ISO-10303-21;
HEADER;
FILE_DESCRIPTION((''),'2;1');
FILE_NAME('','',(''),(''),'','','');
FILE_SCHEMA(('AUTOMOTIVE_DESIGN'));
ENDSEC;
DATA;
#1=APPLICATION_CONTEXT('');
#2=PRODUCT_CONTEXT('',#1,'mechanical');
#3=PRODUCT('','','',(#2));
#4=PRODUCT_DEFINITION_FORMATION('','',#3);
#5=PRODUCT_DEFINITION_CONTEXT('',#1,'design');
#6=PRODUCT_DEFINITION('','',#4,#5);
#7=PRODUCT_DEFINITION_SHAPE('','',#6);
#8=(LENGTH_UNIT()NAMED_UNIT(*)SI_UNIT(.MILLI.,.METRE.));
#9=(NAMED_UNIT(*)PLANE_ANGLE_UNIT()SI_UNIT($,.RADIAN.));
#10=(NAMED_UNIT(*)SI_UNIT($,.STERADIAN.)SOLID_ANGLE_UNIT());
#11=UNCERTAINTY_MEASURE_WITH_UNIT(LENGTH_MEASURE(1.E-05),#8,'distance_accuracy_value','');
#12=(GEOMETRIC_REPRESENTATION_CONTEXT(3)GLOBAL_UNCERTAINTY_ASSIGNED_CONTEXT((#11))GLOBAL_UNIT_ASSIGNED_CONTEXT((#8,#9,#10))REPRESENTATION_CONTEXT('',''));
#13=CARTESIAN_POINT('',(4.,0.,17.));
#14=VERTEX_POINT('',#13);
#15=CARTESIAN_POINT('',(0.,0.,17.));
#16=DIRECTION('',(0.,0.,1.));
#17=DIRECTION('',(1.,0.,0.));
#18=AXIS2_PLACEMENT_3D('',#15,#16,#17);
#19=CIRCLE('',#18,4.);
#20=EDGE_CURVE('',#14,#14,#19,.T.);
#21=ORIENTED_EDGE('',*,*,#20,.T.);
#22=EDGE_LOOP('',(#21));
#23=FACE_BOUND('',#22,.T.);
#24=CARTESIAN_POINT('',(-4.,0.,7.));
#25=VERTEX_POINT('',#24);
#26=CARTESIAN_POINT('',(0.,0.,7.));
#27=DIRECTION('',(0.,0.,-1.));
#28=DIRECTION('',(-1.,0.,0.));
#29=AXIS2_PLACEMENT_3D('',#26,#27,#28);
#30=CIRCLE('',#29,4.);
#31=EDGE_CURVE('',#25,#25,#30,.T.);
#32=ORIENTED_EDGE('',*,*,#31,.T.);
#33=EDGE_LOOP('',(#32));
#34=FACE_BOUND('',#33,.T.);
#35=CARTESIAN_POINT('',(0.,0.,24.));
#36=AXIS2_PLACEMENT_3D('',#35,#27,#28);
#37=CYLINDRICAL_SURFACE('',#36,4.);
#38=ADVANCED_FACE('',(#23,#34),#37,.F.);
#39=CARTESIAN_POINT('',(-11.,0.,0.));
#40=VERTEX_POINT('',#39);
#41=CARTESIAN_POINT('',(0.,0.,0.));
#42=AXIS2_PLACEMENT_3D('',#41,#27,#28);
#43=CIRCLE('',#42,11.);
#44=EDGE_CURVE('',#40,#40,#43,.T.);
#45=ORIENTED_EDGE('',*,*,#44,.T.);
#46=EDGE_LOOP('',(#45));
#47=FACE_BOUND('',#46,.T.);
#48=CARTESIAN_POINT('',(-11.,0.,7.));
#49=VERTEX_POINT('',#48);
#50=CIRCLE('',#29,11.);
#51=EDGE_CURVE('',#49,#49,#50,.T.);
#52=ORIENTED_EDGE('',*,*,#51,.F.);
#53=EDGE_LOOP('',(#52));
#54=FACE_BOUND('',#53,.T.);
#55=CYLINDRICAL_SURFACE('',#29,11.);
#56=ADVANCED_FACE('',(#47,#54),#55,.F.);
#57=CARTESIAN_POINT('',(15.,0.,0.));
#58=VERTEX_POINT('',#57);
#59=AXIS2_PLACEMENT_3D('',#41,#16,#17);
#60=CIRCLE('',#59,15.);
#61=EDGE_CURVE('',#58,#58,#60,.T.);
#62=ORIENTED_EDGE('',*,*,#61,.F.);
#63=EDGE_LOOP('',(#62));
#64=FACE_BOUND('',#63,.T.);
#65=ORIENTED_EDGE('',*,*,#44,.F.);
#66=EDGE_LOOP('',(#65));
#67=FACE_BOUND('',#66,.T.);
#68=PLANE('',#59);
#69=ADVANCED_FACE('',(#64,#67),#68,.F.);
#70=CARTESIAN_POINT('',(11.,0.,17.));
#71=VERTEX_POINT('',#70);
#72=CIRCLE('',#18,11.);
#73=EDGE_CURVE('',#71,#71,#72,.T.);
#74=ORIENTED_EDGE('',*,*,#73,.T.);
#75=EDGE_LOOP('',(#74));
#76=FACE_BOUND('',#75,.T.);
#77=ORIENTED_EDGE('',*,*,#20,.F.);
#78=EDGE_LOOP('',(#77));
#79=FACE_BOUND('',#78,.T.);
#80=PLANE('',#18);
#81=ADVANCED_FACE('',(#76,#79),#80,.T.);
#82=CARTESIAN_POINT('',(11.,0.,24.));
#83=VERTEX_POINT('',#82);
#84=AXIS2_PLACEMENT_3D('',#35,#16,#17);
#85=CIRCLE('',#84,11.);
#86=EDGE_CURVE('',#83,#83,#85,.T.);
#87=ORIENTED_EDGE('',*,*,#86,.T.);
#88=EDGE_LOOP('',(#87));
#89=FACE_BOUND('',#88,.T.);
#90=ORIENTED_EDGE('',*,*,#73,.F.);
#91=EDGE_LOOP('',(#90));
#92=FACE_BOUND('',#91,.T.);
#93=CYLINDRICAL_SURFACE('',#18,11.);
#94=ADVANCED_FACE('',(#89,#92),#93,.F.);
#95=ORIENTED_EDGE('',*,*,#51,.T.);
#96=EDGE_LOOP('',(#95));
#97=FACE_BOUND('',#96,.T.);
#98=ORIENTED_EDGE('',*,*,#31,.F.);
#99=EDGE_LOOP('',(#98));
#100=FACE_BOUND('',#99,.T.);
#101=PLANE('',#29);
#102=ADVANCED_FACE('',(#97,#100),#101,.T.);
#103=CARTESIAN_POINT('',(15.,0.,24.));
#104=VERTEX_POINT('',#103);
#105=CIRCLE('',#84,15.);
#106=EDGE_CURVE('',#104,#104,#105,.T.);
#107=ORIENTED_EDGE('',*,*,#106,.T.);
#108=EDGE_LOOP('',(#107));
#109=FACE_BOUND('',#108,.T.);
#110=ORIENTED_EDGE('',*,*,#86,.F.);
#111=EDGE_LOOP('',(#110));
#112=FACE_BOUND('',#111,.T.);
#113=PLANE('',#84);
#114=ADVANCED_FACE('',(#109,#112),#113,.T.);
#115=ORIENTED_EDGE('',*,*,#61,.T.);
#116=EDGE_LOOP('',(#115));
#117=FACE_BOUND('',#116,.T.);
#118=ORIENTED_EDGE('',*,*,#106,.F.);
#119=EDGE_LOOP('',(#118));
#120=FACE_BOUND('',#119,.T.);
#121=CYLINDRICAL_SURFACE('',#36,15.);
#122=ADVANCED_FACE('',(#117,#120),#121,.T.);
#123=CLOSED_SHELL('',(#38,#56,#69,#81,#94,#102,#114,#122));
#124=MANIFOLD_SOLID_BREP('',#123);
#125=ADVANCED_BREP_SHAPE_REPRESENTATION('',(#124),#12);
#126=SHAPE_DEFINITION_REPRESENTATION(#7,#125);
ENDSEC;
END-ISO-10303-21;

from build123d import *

# Parameters (mm, degrees)
SKETCH1_R          = 15
SKETCH1_R_2        = 4
EXTRUDE1_DEPTH     = 24
SKETCH2_R          = 11
CUT_EXTRUDE1_DEPTH = 7
CUT_EXTRUDE2_START = -7
SKETCH3_R          = 11
CUT_EXTRUDE2_DEPTH = 7


with BuildPart() as part:
    # Sketch1 → Extrude1 (new body)
    with BuildSketch(Plane.XY):
        Circle(SKETCH1_R)
        Circle(SKETCH1_R_2, mode=Mode.SUBTRACT)
    extrude(amount=EXTRUDE1_DEPTH)

    # Sketch2 → Cut-Extrude1 (cut)
    with BuildSketch(Plane.XY.offset(24)):
        Circle(SKETCH2_R)
    extrude(amount=-CUT_EXTRUDE1_DEPTH, mode=Mode.SUBTRACT)

    # Sketch3 → Cut-Extrude2 (cut)
    with BuildSketch(Plane(origin=(0, 0, 0), x_dir=(-1, 0, 0), z_dir=(0, 0, -1)).offset(CUT_EXTRUDE2_START)):
        with Locations(Location((0, 0, 0), (0, 0, 180))):
            Circle(SKETCH3_R)
    extrude(amount=CUT_EXTRUDE2_DEPTH, mode=Mode.SUBTRACT)


solid = part.part
